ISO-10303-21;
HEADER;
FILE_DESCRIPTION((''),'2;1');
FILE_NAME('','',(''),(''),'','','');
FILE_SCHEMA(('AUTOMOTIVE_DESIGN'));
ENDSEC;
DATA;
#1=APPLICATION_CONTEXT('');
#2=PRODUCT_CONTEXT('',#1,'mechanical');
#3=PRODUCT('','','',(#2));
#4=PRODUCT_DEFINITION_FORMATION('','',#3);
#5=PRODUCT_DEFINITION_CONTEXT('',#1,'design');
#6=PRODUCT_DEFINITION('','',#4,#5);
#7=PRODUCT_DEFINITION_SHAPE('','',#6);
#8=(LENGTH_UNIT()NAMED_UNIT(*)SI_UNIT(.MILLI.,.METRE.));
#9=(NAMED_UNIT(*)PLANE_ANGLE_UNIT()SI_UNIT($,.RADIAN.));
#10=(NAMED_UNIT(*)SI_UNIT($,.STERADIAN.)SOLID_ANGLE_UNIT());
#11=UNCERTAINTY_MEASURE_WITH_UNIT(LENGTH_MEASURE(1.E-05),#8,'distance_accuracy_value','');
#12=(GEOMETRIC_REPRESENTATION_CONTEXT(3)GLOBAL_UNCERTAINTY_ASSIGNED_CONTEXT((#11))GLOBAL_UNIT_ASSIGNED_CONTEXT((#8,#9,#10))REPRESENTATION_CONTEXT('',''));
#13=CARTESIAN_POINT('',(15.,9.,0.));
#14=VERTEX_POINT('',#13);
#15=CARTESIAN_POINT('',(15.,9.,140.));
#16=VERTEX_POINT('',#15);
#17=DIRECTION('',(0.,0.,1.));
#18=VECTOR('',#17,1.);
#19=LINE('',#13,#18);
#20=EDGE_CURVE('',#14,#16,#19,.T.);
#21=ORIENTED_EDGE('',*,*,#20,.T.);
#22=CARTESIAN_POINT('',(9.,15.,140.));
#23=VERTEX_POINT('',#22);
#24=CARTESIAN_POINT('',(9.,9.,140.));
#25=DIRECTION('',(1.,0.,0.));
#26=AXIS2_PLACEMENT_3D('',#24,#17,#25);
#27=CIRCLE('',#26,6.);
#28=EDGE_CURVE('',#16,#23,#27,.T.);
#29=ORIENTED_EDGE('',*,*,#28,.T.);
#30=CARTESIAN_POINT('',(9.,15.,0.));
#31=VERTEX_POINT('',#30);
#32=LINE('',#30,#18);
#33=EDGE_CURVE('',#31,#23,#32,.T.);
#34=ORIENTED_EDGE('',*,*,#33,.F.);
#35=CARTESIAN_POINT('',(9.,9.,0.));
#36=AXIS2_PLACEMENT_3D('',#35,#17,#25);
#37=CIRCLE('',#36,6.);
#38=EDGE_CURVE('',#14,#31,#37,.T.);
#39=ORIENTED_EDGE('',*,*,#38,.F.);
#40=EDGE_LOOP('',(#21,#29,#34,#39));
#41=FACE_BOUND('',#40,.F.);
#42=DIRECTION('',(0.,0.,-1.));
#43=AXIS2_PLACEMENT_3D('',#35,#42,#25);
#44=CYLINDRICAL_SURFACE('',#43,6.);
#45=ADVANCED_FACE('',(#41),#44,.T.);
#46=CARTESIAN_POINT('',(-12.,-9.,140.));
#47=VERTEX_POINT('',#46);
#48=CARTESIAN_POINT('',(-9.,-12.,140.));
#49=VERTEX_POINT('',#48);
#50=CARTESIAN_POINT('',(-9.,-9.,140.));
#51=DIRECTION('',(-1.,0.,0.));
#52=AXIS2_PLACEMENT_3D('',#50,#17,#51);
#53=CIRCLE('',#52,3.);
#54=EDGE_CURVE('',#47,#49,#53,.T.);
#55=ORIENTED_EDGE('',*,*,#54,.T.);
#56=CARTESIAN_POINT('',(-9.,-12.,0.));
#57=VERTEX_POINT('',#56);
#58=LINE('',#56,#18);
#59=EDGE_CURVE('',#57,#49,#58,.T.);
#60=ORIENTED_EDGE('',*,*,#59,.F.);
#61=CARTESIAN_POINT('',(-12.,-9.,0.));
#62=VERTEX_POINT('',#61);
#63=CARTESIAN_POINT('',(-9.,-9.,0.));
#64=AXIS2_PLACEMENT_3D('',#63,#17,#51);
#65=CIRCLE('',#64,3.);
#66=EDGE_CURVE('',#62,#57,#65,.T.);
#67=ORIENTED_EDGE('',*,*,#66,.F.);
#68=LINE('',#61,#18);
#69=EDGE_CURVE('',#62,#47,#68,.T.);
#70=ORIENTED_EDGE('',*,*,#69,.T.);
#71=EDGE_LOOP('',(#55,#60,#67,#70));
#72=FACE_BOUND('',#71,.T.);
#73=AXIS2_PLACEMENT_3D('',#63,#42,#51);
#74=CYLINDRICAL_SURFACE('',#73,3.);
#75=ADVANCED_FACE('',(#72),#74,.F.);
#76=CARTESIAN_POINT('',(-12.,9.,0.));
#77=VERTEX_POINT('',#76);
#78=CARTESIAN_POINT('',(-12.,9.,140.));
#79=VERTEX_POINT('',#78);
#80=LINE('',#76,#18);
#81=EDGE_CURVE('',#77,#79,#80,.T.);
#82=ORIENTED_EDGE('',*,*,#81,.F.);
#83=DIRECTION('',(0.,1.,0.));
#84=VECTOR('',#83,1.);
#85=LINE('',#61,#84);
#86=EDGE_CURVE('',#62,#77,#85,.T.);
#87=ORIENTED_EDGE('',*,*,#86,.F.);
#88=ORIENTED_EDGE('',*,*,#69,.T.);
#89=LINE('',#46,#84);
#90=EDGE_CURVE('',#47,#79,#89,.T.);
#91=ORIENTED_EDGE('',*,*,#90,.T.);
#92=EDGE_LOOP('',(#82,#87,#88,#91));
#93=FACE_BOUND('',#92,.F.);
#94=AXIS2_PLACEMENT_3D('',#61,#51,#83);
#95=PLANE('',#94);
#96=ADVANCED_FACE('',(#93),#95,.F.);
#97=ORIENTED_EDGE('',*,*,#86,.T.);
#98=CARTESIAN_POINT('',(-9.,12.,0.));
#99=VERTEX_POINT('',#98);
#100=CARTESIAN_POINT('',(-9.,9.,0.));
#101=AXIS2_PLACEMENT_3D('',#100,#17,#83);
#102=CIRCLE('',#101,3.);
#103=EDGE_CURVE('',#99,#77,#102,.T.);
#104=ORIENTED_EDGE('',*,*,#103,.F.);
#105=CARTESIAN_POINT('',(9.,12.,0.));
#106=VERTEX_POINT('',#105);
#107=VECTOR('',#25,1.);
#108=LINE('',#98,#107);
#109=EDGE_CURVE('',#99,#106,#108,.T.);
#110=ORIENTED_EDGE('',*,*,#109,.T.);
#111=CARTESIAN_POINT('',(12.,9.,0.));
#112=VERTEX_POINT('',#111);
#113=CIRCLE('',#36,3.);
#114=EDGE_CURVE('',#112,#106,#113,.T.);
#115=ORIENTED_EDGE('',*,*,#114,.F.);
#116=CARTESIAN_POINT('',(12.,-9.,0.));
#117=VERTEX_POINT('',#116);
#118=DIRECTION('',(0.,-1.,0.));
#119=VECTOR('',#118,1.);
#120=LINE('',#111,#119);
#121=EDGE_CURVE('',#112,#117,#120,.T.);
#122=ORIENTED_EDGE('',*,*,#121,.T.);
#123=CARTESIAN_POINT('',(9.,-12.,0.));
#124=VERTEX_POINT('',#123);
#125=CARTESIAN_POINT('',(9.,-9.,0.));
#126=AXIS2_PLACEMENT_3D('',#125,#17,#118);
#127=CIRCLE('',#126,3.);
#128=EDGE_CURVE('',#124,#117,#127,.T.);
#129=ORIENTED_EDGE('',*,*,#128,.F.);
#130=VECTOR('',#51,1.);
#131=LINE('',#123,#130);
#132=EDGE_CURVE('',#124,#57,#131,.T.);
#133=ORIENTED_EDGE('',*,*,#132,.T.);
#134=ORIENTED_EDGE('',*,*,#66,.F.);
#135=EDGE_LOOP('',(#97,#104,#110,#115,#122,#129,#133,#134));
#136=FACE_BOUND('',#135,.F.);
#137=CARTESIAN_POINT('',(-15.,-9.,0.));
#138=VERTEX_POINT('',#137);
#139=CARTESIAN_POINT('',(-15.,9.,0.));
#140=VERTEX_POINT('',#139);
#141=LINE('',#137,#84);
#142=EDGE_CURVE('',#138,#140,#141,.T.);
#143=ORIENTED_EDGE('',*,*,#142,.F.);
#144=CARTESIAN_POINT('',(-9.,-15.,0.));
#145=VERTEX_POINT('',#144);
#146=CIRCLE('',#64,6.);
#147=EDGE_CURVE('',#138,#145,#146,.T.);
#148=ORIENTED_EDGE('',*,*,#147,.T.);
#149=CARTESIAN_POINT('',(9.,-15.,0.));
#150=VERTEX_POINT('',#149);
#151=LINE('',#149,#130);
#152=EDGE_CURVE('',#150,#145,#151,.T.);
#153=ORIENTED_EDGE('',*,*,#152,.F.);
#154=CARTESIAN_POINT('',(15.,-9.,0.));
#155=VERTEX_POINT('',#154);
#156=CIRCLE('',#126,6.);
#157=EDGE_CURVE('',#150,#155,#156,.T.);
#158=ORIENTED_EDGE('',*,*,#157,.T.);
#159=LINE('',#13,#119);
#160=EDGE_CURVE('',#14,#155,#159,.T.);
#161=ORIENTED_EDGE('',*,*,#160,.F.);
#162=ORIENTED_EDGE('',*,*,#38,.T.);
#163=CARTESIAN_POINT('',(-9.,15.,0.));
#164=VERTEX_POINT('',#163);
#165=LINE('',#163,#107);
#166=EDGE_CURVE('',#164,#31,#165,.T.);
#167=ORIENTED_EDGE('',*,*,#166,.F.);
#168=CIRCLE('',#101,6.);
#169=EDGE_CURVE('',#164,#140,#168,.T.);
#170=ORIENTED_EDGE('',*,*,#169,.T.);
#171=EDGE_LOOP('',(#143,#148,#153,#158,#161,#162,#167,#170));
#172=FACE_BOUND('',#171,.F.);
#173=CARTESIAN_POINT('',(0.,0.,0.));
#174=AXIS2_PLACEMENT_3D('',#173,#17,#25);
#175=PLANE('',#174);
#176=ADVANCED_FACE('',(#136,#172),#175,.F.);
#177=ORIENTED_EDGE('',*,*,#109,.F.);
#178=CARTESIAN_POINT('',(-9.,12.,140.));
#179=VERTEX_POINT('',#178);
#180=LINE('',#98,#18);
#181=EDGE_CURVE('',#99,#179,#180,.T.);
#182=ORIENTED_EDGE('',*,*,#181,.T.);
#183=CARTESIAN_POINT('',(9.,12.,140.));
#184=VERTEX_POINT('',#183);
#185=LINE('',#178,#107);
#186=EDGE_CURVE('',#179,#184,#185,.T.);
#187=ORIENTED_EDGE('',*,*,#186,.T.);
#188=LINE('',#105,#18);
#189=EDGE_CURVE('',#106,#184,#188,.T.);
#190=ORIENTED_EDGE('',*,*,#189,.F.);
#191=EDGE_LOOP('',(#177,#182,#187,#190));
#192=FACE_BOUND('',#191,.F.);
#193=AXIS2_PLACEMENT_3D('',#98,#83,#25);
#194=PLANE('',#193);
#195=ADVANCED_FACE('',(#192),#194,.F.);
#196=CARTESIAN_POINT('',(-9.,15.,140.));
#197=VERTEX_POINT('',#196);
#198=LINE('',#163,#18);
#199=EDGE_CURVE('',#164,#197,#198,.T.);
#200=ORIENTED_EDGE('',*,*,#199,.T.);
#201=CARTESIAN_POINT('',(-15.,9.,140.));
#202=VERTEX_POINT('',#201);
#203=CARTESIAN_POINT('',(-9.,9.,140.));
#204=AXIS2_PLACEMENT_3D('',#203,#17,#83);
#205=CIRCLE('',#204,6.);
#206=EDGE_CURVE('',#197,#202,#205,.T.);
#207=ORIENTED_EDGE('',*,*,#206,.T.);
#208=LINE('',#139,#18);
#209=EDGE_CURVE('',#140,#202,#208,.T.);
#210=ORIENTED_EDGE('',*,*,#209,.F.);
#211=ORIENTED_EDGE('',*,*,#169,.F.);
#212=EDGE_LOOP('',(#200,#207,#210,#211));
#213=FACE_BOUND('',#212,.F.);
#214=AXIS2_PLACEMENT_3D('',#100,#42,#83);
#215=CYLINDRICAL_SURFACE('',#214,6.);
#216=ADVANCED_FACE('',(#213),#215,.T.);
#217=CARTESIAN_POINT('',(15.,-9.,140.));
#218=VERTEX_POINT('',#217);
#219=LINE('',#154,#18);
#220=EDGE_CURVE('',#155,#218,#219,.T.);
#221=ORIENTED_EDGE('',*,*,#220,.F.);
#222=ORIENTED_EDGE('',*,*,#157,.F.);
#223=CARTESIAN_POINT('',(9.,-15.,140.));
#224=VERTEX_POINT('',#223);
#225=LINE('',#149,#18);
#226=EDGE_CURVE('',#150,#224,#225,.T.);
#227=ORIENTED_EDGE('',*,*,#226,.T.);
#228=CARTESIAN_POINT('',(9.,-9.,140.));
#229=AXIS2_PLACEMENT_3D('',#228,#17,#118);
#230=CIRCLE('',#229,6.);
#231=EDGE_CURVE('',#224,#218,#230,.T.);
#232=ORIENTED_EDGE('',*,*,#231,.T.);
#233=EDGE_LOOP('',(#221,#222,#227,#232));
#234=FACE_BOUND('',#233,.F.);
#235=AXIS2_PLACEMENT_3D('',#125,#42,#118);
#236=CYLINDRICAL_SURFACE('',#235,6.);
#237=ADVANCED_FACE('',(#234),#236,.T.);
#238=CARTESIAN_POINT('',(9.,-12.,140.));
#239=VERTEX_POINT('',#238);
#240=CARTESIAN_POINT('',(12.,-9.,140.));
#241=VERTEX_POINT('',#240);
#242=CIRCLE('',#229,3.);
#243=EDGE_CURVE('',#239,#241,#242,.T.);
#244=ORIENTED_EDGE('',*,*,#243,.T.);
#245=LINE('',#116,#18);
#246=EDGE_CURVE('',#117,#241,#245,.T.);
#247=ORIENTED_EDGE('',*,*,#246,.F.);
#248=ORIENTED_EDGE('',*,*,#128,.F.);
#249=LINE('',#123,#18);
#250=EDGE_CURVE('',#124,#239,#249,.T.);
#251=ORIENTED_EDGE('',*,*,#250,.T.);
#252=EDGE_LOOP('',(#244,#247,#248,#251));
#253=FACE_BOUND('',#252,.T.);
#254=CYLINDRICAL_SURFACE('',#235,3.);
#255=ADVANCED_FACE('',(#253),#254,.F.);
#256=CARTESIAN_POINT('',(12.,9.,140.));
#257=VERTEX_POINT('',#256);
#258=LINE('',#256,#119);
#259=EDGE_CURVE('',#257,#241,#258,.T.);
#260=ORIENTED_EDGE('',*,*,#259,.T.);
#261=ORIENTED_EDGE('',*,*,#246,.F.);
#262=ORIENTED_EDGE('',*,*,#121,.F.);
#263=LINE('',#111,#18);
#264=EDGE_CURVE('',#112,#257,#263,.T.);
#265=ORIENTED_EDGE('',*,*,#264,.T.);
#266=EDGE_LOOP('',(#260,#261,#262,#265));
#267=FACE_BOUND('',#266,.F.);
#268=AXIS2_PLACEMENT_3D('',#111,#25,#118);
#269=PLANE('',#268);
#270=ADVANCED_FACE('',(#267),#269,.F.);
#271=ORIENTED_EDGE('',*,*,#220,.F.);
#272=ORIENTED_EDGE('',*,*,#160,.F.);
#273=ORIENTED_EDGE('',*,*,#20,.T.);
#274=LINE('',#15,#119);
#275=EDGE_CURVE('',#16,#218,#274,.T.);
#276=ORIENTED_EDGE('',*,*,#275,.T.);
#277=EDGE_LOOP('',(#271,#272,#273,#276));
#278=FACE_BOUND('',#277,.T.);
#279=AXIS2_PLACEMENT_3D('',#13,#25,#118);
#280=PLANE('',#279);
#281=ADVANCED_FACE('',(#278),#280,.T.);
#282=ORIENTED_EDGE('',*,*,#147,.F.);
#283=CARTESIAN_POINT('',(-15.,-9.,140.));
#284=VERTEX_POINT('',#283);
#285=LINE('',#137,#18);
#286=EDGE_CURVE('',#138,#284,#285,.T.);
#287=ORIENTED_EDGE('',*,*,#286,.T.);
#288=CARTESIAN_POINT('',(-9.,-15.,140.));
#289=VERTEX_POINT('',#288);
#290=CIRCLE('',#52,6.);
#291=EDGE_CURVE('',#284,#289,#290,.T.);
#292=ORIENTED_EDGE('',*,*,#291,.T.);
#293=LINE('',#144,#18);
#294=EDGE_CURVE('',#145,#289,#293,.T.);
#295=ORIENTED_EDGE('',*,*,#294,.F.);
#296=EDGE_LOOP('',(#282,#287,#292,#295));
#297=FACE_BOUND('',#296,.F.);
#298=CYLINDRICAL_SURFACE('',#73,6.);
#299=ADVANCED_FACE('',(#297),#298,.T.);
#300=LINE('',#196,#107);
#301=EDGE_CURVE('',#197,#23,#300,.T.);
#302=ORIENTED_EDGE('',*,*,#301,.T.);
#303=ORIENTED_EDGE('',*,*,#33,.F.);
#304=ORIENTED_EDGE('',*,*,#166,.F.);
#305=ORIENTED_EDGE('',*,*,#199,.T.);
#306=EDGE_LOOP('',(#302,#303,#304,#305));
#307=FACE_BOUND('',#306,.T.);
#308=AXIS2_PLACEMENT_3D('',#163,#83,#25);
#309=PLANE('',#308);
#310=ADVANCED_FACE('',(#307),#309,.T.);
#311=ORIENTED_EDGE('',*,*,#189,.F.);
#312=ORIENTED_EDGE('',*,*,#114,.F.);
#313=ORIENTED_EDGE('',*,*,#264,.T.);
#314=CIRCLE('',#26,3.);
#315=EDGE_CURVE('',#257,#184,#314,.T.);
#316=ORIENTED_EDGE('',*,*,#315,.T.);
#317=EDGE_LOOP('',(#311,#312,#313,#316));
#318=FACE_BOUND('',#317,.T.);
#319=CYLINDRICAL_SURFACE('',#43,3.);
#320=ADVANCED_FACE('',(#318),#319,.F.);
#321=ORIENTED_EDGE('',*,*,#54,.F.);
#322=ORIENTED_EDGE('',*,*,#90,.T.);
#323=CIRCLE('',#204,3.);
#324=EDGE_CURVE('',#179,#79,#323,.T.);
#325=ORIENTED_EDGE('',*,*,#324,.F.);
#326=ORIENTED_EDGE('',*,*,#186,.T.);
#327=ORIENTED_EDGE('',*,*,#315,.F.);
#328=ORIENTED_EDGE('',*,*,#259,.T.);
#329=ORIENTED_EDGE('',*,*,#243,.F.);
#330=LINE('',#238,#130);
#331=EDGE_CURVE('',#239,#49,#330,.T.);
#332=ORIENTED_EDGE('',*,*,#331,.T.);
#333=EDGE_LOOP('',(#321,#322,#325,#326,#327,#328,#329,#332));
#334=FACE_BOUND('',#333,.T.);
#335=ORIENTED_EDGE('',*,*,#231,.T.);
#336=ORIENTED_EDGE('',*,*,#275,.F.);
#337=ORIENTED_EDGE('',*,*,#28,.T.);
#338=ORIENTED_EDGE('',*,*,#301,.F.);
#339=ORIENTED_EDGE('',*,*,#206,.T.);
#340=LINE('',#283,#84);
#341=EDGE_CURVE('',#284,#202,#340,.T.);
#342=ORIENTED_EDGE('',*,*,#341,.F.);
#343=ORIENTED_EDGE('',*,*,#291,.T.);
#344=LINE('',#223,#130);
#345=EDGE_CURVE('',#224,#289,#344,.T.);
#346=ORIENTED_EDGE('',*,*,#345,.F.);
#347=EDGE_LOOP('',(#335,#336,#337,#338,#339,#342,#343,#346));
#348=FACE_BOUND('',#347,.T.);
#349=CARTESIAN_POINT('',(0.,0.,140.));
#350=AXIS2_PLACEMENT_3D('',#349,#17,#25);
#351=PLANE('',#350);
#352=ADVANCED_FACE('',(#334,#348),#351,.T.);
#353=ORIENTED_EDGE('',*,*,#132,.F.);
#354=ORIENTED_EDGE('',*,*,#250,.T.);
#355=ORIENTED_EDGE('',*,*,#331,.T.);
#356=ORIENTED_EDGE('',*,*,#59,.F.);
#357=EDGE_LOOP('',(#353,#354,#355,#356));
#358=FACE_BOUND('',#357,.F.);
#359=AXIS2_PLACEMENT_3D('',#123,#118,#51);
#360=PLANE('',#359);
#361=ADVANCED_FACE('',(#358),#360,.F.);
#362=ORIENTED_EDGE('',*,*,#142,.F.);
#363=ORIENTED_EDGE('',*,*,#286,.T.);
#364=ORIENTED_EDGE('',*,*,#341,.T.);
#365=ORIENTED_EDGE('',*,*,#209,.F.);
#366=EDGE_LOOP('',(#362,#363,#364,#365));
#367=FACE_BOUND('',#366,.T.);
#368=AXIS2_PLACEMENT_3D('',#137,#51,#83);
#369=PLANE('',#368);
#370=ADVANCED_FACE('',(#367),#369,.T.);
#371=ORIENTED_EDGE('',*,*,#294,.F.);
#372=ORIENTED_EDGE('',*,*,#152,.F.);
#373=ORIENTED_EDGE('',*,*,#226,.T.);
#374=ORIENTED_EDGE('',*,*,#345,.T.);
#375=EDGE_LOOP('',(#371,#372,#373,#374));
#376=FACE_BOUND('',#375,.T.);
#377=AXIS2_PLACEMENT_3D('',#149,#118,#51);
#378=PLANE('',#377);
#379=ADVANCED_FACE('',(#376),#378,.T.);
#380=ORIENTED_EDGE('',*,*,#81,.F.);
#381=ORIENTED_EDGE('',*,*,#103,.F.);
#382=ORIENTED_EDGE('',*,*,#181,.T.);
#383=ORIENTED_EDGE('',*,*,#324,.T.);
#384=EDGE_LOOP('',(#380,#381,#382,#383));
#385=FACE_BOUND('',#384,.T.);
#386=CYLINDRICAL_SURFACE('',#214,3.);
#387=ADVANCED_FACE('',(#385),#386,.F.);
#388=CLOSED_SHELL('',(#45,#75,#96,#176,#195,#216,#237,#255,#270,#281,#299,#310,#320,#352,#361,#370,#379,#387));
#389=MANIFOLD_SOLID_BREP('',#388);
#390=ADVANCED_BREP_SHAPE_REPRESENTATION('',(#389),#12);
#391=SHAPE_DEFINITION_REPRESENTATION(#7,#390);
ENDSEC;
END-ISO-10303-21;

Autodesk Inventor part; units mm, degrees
ref_plane "YZ Plane" through (0, 0, 0) normal (1, 0, 0) x (0, 1, 0)
ref_plane "Plano inicial" through (0, 0, 0) normal (0, 0, 1) x (1, 0, 0)
ref_plane "Plano final" through (0, 0, 140) normal (0, 0, 1) x (1, 0, 0)
sketch "Esboço" plane through (0, 0, 0) normal (0, 0, 1) x (1, 0, 0)
  line L0 (-15, -9) -> (-15, 9)
  line L1 (-9, 15) -> (9, 15)
  line L2 (15, 9) -> (15, -9)
  line L3 (9, -15) -> (-9, -15)
  arc A0 (-15, -9) -> (-9, -15) centre (-9, -9) ccw
  arc A1 (15, 9) -> (9, 15) centre (9, 9) ccw
  arc A2 (-9, 15) -> (-15, 9) centre (-9, 9) ccw
  arc A3 (9, -15) -> (15, -9) centre (9, -9) ccw
  arc A4 (-9, 12) -> (-12, 9) centre (-9, 9) ccw
  line L4 (-9, 12) -> (9, 12)
  arc A5 (12, 9) -> (9, 12) centre (9, 9) ccw
  line L5 (12, 9) -> (12, -9)
  arc A6 (9, -12) -> (12, -9) centre (9, -9) ccw
  line L6 (9, -12) -> (-9, -12)
  arc A7 (-12, -9) -> (-9, -12) centre (-9, -9) ccw
  line L7 (-12, -9) -> (-12, 9)
  line L8 (0, 22.7397) -> (0, -22.7397) construction
  line L9 (-22.7397, 0) -> (22.7397, 0) construction
  dimension "d7" = 6
  dimension "d9" = 30
  dimension "d11" = 30
  dimension "d12" = 3
  dimension "d15" = 15
  dimension "d16" = 15
extrude "Corpo" add sketch "Esboço" along normal up to surface (140 mm away) from surface at 0
sketch "Sketch3" plane through (0, 0, 0) normal (0, 0, 1) x (1, 0, 0)
  line L0 (0, 0) -> (10, 0)
ref_plane "Work Plane3" through (0, 0, 0) normal (0, -1, 0) x (1, 0, 0)
sketch "Sketch4" plane through (0, 0, 0) normal (0, -1, 0) x (1, 0, 0)
  line L0 (-2, 0) -> (12, 0)
  line L1 (-2, 140) -> (12, 140)
  dimension "d18" = 140
equation "\"d7\" = G_IR"
equation "\"d9\" = G_W"
equation "\"d11\" = G_H"
equation "\"d12\" = G_T"
equation "\"d15\" = 0.5 * d9"
equation "\"d16\" = 0.5 * d11"
equation "\"d3\" = G_L"
equation "\"G_W\" = 30"
equation "\"G_H\" = 30"
equation "\"G_T\" = 3"
equation "\"G_IR\" = 6"
equation "\"G_L\" = d18"
equation "\"G_OFFSET_START\" = 0"
equation "\"G_OFFSET_END\" = 0"
properties part number "ISO 10799-2 - 30x30x3 - 140" material "Aço, suave"
